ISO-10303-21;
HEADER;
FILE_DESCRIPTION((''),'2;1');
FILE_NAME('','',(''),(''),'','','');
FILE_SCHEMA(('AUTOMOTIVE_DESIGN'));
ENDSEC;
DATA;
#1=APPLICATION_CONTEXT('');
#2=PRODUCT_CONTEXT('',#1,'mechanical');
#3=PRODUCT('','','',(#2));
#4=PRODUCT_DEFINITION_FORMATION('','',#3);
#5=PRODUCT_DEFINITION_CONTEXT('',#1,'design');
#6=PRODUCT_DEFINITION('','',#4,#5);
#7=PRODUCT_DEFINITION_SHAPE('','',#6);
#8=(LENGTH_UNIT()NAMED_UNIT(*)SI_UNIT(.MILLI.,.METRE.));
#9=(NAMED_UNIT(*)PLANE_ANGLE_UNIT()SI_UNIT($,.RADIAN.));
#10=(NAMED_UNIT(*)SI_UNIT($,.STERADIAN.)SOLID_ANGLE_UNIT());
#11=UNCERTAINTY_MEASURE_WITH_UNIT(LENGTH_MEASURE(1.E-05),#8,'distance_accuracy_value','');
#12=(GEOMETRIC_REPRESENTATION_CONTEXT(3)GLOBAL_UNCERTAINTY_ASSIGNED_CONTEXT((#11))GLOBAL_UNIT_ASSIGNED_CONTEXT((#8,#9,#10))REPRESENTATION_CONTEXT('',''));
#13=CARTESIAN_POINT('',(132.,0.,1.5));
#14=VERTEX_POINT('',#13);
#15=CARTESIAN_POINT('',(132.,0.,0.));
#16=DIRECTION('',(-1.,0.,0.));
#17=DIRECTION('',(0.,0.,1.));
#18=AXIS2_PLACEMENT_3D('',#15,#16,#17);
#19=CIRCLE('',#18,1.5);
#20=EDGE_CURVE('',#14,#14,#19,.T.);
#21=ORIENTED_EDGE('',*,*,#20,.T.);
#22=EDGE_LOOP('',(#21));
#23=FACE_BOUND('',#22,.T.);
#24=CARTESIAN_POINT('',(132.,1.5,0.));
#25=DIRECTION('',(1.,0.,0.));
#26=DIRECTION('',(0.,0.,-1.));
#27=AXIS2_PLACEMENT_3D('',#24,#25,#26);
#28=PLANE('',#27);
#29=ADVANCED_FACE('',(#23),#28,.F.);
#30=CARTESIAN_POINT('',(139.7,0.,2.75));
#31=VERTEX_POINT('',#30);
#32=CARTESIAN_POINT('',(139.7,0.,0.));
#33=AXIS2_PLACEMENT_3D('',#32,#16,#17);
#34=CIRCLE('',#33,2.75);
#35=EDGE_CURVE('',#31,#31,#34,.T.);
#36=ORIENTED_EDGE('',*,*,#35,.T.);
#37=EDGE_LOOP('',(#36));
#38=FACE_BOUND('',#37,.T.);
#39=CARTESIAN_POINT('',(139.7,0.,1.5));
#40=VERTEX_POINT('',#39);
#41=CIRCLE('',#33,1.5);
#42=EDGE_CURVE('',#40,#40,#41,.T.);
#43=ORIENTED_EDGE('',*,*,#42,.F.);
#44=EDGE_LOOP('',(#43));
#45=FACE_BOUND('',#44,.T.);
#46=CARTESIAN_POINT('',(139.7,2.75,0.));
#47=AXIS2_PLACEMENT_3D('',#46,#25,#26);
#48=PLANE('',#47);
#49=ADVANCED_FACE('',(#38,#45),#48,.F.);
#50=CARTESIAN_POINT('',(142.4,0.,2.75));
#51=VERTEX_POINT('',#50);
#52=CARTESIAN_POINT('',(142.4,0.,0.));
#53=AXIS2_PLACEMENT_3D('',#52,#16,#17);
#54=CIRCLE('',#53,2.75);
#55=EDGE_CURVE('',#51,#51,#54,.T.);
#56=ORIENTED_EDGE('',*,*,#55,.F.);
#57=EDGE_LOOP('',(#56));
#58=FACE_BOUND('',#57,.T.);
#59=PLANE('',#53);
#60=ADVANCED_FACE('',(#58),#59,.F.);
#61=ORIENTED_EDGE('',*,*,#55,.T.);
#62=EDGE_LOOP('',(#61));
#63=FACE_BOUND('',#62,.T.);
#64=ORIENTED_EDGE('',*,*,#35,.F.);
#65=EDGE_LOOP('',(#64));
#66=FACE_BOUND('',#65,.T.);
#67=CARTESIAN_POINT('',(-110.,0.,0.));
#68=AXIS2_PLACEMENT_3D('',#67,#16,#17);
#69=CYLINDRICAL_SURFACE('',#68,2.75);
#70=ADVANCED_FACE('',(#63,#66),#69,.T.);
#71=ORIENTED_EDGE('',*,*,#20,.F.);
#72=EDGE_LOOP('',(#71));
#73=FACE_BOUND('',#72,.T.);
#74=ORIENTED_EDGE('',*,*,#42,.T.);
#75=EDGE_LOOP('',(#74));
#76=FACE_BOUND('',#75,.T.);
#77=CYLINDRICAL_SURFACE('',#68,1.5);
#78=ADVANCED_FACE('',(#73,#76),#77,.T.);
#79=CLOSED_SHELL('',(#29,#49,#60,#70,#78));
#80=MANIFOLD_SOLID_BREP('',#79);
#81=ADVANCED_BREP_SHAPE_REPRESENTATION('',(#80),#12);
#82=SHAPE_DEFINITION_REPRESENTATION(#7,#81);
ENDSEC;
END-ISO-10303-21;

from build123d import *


with BuildPart() as part:
    # Axial profile (mm) → Full revolution (revolve)
    with BuildSketch(Plane.XY, mode=Mode.PRIVATE) as full_revolution_sk:
        Polygon((132, 0), (142.4, 0), (142.4, 2.75), (139.7, 2.75), (139.7, 1.5), (132, 1.5), align=None)
    revolve(full_revolution_sk.sketch.rotate(Axis((-110, 0, 0), (1, 0, 0)), 90), axis=Axis((-110, 0, 0), (1, 0, 0)))


solid = part.part
